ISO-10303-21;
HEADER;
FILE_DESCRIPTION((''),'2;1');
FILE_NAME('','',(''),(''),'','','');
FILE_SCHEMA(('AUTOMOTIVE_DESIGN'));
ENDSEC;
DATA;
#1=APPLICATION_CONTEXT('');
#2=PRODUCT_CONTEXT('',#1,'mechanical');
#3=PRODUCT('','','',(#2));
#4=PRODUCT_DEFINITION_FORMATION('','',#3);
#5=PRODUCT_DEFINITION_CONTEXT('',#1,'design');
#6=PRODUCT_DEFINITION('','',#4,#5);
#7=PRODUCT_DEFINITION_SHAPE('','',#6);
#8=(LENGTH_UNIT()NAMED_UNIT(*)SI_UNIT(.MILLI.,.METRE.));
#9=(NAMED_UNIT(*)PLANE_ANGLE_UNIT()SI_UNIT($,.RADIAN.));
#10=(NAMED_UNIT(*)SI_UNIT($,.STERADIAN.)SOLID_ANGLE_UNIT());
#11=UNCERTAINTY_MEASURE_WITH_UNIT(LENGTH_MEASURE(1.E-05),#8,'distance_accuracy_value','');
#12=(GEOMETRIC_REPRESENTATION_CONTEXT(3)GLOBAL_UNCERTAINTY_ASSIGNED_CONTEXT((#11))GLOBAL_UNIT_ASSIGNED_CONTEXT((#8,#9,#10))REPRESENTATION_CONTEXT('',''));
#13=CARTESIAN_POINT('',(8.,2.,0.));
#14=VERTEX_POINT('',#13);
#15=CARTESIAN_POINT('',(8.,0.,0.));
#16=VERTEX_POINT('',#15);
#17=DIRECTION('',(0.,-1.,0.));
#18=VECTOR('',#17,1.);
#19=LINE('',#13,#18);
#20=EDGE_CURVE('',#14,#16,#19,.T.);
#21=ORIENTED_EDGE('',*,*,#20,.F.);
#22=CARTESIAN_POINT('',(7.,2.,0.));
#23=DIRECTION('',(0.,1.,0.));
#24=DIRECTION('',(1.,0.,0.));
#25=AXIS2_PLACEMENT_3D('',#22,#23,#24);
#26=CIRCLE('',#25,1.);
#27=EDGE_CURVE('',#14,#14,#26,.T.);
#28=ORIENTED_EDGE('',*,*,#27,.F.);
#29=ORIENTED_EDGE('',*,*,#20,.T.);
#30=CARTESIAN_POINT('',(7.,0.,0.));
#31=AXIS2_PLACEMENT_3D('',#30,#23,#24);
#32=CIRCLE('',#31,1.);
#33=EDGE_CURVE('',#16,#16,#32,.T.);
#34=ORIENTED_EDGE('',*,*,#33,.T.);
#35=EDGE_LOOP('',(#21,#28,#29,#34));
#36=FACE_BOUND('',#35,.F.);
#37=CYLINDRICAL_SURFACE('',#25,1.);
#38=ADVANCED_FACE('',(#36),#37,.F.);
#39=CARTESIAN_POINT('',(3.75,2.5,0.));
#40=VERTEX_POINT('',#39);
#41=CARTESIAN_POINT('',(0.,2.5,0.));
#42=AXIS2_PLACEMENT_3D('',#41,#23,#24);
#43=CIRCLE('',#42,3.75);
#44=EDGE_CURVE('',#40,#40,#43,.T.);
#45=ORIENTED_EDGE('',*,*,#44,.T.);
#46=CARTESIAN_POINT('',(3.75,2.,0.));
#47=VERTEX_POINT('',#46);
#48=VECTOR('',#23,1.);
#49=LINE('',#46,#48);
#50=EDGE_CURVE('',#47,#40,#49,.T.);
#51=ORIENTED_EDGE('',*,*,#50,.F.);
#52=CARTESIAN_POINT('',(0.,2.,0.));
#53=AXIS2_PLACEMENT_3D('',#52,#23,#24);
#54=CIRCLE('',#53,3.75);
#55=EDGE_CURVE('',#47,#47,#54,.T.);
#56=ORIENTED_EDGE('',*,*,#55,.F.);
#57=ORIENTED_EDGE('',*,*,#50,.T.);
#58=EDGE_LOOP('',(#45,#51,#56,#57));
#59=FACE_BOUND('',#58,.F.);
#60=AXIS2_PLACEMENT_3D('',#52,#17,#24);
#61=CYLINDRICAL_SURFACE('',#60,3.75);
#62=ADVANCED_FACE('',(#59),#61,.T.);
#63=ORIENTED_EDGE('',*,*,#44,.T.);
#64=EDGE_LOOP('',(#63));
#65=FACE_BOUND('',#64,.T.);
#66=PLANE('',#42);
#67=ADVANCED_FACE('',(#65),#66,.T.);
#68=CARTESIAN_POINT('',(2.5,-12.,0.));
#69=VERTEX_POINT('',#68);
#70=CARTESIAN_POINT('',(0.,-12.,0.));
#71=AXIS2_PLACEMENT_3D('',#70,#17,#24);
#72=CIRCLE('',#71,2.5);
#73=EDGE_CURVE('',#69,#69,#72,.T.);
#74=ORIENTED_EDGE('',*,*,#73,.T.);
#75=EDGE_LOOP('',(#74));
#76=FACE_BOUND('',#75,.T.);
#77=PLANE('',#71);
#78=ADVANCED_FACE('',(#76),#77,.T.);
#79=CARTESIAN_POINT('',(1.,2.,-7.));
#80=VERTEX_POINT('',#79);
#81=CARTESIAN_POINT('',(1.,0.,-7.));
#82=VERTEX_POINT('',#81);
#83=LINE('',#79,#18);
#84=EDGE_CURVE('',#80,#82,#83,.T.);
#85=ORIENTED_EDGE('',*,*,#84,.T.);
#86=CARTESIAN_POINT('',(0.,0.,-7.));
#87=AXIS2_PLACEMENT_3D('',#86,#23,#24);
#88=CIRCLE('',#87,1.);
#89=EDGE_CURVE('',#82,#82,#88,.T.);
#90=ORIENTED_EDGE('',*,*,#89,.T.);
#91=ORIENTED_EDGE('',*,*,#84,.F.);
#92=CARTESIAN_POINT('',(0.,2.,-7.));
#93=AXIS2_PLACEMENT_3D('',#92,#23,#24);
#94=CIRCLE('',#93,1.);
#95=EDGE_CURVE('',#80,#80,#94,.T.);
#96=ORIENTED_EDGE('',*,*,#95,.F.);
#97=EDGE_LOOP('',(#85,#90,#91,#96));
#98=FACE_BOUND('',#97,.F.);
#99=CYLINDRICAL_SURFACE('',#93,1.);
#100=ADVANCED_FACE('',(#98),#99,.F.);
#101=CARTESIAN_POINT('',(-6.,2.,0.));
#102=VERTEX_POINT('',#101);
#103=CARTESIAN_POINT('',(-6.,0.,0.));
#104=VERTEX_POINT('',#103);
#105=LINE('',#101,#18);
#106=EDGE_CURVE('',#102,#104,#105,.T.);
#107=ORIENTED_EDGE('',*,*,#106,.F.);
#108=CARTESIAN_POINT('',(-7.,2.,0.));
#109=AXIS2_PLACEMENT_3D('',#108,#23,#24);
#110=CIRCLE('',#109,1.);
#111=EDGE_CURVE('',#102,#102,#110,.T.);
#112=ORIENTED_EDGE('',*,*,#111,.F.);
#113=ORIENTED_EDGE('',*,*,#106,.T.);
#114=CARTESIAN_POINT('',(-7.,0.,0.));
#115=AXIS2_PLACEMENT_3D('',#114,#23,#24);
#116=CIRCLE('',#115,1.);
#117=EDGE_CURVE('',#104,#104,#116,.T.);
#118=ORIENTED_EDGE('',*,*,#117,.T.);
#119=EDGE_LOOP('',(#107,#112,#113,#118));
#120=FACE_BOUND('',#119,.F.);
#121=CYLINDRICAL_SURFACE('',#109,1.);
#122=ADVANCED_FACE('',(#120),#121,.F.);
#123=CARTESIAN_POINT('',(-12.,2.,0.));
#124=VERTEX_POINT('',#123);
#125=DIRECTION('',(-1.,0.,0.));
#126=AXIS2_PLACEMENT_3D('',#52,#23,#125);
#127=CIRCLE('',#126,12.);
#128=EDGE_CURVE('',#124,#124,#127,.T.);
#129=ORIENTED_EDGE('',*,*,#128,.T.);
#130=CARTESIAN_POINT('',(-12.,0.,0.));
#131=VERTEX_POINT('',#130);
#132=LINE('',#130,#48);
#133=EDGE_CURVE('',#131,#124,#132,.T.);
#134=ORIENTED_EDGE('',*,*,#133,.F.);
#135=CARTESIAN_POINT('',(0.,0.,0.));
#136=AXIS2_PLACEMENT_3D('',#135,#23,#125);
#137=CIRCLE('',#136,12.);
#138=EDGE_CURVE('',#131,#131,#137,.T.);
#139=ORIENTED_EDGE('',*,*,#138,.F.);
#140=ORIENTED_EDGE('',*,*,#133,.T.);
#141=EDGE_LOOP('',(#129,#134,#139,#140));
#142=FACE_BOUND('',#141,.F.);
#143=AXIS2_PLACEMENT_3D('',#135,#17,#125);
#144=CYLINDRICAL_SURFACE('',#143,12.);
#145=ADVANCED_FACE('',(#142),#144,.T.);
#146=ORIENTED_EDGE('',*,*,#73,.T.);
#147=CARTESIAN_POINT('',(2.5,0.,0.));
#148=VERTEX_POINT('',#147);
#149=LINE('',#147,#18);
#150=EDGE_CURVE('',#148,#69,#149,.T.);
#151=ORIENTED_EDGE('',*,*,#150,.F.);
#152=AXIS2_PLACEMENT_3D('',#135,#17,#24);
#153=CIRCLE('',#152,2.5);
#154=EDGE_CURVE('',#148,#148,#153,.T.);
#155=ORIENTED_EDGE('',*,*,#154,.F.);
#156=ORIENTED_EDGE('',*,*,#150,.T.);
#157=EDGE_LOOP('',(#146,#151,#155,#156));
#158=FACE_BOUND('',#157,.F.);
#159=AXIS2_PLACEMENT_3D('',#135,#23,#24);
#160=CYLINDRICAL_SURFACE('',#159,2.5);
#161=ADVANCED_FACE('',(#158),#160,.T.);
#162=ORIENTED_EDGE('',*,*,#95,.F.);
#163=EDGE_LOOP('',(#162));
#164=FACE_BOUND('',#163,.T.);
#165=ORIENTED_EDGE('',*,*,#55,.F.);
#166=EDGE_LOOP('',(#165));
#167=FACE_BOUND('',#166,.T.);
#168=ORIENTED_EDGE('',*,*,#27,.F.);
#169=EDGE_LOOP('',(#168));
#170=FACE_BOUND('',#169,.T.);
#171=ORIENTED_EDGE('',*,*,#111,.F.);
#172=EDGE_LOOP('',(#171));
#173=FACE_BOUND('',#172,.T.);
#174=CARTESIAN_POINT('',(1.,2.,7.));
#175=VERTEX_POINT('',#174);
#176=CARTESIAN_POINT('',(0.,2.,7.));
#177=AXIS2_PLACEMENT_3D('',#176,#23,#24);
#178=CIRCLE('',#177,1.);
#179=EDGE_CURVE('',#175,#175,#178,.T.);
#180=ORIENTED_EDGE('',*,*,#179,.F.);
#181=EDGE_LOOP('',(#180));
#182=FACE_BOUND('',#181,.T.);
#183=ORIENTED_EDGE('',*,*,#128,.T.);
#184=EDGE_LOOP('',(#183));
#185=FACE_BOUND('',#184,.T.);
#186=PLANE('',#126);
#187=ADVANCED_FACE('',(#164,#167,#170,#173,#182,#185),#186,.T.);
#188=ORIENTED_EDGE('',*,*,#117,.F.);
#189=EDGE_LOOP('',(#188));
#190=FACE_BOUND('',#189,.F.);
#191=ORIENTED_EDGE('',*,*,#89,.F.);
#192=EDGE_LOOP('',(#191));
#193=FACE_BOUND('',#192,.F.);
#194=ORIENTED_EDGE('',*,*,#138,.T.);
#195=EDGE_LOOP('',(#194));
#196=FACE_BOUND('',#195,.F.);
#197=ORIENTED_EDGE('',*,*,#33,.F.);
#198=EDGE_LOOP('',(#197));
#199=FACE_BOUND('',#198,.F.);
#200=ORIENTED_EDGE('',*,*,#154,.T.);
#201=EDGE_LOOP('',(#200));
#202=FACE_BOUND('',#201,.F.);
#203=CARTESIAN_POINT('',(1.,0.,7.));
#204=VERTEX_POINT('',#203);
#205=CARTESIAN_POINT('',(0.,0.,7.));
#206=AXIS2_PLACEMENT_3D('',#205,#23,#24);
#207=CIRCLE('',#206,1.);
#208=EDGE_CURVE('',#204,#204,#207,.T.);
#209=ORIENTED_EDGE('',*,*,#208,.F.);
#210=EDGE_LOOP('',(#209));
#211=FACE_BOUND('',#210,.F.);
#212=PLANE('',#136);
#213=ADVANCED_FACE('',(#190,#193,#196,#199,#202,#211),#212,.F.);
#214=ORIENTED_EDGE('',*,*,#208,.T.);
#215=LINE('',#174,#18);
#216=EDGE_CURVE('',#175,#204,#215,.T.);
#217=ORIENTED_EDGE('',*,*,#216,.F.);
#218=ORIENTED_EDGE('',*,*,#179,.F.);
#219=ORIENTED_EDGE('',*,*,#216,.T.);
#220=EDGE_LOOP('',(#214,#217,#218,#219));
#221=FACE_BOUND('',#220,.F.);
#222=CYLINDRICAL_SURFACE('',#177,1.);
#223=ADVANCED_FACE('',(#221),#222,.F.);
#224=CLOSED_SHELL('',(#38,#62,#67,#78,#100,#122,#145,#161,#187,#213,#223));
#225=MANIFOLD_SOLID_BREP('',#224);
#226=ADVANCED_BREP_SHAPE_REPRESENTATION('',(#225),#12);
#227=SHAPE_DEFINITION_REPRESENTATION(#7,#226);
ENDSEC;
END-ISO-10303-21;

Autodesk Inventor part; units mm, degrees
ref_plane "YZ Plane" through (0, 0, 0) normal (1, 0, 0) x (0, 1, 0)
ref_plane "XZ Plane" through (0, 0, 0) normal (0, 1, 0) x (-1, 0, 0)
ref_plane "XY Plane" through (0, 0, 0) normal (0, 0, 1) x (1, 0, 0)
sketch "Sketch1" plane through (0, 0, 0) normal (0, 1, 0) x (-1, 0, 0)
  circle A0 centre (0, 0) radius 12
  dimension "sa_diameter" = 24
extrude "Extrusion1" add sketch "Sketch1" along normal blind 2
sketch "Sketch2" plane through (0, 0, 0) normal (0, -1, 0) x (1, 0, 0)
  circle A0 centre (0, 0) radius 2.5
  dimension "d4" = 5
extrude "Extrusion2" add sketch "Sketch2" along normal blind 12
sketch "Sketch4" plane through (0, 2, 0) normal (0, 1, 0) x (1, 0, 0)
  circle A0 centre (0, 0) radius 3.75
  dimension "d12" = 7.5
extrude "Extrusion4" add sketch "Sketch4" along normal blind 0.5
sketch "Sketch5" plane through (0, 2, 0) normal (0, 1, 0) x (1, 0, 0)
  circle A0 centre (0, 7) radius 1
  circle A1 centre (0, -7) radius 1
  circle A2 centre (-7, 0) radius 1
  circle A3 centre (7, 0) radius 1
  point P0 (0, 0)
  dimension "sa_hole_distance" = 7
  dimension "d16" = 7
  dimension "sa_hole_diameter" = 2
  dimension "d20" = 7
  dimension "d21" = 7
extrude "Extrusion5" cut sketch "Sketch5" against normal through all
equation "\"sa_diameter\" = servo_arm_diameter"
equation "\"sa_thickness\" = servo_arm_thickness"
equation "\"sa_hole_distance\" = servo_arm_hole_distance"
equation "\"d16\" = sa_hole_distance"
equation "\"sa_hole_diameter\" = servo_arm_hole_diameter"
equation "\"d20\" = sa_hole_distance"
equation "\"d21\" = sa_hole_distance"
equation "\"servo_arm_thickness\" = 2"
equation "\"servo_arm_diameter\" = 24"
equation "\"servo_arm_hole_diameter\" = 2"
equation "\"servo_arm_hole_distance\" = 7"
properties part number "Servo_arm" material "ABS Plastic"
